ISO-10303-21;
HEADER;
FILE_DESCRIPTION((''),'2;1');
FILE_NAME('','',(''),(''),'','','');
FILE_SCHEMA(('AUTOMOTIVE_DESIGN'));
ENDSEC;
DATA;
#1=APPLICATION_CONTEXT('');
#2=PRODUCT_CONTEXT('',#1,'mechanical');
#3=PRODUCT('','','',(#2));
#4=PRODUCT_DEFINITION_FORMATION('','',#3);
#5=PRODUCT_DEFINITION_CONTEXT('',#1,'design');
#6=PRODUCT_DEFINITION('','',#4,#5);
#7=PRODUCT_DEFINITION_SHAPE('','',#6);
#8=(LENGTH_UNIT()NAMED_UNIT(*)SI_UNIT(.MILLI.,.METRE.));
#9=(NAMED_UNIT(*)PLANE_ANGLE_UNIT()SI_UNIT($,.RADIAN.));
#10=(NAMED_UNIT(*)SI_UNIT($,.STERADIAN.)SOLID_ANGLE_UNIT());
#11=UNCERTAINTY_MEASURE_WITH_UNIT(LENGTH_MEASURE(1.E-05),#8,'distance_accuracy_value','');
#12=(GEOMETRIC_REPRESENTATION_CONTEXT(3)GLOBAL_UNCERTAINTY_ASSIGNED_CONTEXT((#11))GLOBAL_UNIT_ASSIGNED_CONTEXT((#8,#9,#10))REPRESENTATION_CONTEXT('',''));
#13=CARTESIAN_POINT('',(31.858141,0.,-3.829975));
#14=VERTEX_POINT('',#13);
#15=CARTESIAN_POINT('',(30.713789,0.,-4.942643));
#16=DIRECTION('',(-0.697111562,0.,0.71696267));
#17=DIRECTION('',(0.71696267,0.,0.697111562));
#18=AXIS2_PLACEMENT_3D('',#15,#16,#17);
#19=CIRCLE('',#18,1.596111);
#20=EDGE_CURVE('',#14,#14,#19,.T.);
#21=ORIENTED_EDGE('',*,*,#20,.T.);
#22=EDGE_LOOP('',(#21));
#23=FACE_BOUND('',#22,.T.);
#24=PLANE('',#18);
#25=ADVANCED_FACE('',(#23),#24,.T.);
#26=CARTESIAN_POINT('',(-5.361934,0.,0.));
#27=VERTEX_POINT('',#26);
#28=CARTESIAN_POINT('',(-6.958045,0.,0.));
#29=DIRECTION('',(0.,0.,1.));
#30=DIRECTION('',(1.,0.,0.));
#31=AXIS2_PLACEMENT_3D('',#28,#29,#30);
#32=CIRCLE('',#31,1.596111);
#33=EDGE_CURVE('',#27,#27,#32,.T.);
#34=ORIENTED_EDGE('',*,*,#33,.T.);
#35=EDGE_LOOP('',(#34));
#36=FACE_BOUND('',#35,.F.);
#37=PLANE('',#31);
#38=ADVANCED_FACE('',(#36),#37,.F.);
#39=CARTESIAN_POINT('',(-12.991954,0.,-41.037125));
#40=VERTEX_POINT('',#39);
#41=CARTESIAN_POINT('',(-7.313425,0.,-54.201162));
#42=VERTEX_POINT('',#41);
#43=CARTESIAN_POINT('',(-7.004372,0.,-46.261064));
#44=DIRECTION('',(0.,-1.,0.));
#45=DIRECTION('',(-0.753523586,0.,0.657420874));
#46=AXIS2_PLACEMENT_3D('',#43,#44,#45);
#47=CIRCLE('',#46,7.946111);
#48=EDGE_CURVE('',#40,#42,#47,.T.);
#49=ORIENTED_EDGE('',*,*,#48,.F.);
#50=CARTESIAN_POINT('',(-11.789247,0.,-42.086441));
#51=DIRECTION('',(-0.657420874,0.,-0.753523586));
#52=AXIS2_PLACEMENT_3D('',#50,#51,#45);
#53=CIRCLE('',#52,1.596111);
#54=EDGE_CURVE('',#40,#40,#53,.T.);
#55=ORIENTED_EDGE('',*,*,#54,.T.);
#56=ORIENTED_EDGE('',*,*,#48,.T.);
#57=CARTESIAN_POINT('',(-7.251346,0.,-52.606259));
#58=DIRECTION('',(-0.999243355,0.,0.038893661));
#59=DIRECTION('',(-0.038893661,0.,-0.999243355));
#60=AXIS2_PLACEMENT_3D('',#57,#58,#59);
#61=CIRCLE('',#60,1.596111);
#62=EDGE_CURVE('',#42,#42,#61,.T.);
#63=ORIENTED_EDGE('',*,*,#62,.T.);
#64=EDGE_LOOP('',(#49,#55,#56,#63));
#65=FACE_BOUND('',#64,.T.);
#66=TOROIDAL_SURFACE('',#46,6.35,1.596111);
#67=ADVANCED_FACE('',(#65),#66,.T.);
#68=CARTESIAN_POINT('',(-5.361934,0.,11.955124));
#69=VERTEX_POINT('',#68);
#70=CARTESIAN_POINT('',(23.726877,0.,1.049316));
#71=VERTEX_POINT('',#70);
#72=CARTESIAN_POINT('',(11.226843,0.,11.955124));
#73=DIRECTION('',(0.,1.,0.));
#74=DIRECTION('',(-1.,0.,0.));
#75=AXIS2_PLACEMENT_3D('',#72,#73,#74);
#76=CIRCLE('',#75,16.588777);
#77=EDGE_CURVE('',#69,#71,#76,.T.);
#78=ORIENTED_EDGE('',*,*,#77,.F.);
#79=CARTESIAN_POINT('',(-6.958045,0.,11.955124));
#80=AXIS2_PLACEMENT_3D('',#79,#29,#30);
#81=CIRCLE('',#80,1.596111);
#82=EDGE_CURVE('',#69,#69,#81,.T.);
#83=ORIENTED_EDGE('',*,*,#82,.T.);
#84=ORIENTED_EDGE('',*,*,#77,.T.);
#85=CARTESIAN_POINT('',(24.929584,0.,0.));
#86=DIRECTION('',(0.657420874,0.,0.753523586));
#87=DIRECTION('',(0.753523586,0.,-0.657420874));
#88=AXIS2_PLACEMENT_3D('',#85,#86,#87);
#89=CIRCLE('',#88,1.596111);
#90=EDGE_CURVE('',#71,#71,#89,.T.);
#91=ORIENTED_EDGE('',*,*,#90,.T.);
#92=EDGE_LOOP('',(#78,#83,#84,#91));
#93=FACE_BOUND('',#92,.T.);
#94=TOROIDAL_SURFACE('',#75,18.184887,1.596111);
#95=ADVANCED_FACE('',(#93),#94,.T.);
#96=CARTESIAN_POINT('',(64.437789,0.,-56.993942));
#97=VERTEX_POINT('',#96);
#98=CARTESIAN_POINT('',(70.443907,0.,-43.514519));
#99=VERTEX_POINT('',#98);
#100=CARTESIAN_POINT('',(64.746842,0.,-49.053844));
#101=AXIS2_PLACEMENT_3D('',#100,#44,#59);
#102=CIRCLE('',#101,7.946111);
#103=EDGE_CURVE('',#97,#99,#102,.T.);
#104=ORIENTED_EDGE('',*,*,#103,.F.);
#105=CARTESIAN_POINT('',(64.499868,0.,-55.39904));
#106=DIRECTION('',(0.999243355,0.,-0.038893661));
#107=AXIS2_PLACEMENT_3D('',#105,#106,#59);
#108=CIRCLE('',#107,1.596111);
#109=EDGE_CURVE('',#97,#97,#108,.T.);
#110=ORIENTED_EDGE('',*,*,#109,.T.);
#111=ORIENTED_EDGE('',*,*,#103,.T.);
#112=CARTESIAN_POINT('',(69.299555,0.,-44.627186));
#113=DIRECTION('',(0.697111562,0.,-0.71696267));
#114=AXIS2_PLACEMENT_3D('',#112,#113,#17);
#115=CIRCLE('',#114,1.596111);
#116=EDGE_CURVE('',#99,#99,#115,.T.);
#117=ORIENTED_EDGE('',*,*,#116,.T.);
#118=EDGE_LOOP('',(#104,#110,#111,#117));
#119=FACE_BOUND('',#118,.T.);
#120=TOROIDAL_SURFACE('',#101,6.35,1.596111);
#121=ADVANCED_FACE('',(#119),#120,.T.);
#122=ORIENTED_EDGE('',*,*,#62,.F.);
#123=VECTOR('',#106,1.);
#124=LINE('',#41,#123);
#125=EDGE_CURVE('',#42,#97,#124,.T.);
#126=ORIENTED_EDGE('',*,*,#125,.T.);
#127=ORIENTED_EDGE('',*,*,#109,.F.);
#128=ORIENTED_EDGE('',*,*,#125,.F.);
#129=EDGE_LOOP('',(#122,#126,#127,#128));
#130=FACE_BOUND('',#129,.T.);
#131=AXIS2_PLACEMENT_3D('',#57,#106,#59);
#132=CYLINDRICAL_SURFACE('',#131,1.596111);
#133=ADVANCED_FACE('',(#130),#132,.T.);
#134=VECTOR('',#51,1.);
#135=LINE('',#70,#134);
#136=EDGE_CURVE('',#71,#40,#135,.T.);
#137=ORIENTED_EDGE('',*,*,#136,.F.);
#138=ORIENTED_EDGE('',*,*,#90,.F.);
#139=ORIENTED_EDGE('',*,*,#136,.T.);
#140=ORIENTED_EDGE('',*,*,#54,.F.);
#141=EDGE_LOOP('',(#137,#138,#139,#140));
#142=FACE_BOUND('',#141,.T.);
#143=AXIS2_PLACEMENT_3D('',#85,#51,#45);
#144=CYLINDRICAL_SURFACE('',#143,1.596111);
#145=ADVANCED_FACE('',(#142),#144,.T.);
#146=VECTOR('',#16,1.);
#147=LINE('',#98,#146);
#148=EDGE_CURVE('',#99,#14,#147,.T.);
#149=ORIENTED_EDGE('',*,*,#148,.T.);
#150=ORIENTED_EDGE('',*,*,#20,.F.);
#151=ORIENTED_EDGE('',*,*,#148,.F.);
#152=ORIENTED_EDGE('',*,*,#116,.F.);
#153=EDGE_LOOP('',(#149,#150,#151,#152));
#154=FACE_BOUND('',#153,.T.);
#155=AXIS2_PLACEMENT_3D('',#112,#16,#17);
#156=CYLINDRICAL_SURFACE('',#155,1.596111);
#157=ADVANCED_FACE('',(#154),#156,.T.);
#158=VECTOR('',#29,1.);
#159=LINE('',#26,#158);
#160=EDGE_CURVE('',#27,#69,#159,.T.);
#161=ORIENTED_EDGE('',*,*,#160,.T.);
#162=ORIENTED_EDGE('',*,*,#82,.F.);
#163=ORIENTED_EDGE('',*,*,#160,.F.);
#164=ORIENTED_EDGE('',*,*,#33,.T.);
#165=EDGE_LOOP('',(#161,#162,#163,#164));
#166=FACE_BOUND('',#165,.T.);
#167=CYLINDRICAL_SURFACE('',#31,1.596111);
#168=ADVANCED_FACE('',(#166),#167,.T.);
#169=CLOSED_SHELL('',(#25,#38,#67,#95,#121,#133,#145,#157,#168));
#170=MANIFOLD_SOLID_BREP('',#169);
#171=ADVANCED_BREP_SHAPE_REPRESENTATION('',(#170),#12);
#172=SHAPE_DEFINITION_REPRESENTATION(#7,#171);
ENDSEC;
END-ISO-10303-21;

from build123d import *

# Parameters (mm, degrees)
F1_R = 1.5961106


with BuildPart() as f2:
    # F2: sweep along a path in F0
    with BuildLine(Plane.XZ) as f2_path:
        Line((-6.9580445253, 0), (-6.9580445253, 11.9551244375))
        ThreePointArc((-6.9580445253, 11.9551244375), (17.6107018393, 28.9826452432), (24.9295840919, 0))
        Line((24.9295840919, 0), (-11.7892465184, -42.0864411339))
        ThreePointArc((-11.7892465184, -42.0864411339), (-12.8350251699, -48.7762139122), (-7.2513464974, -52.6062589896))
        Line((-7.2513464974, -52.6062589896), (64.4998676804, -55.3990395556))
        ThreePointArc((64.4998676804, -55.3990395556), (70.54710566, -51.6383067584), (69.2995553841, -44.6271858307))
        Line((69.2995553841, -44.6271858307), (30.713789165, -4.9426425248))
    # F1 (on Top) → F2 (sweep)
    with BuildSketch(Plane.XY):
        with Locations((-6.9580445253, 0)):
            Circle(F1_R)
    sweep(path=f2_path.line)


solid = f2.part
